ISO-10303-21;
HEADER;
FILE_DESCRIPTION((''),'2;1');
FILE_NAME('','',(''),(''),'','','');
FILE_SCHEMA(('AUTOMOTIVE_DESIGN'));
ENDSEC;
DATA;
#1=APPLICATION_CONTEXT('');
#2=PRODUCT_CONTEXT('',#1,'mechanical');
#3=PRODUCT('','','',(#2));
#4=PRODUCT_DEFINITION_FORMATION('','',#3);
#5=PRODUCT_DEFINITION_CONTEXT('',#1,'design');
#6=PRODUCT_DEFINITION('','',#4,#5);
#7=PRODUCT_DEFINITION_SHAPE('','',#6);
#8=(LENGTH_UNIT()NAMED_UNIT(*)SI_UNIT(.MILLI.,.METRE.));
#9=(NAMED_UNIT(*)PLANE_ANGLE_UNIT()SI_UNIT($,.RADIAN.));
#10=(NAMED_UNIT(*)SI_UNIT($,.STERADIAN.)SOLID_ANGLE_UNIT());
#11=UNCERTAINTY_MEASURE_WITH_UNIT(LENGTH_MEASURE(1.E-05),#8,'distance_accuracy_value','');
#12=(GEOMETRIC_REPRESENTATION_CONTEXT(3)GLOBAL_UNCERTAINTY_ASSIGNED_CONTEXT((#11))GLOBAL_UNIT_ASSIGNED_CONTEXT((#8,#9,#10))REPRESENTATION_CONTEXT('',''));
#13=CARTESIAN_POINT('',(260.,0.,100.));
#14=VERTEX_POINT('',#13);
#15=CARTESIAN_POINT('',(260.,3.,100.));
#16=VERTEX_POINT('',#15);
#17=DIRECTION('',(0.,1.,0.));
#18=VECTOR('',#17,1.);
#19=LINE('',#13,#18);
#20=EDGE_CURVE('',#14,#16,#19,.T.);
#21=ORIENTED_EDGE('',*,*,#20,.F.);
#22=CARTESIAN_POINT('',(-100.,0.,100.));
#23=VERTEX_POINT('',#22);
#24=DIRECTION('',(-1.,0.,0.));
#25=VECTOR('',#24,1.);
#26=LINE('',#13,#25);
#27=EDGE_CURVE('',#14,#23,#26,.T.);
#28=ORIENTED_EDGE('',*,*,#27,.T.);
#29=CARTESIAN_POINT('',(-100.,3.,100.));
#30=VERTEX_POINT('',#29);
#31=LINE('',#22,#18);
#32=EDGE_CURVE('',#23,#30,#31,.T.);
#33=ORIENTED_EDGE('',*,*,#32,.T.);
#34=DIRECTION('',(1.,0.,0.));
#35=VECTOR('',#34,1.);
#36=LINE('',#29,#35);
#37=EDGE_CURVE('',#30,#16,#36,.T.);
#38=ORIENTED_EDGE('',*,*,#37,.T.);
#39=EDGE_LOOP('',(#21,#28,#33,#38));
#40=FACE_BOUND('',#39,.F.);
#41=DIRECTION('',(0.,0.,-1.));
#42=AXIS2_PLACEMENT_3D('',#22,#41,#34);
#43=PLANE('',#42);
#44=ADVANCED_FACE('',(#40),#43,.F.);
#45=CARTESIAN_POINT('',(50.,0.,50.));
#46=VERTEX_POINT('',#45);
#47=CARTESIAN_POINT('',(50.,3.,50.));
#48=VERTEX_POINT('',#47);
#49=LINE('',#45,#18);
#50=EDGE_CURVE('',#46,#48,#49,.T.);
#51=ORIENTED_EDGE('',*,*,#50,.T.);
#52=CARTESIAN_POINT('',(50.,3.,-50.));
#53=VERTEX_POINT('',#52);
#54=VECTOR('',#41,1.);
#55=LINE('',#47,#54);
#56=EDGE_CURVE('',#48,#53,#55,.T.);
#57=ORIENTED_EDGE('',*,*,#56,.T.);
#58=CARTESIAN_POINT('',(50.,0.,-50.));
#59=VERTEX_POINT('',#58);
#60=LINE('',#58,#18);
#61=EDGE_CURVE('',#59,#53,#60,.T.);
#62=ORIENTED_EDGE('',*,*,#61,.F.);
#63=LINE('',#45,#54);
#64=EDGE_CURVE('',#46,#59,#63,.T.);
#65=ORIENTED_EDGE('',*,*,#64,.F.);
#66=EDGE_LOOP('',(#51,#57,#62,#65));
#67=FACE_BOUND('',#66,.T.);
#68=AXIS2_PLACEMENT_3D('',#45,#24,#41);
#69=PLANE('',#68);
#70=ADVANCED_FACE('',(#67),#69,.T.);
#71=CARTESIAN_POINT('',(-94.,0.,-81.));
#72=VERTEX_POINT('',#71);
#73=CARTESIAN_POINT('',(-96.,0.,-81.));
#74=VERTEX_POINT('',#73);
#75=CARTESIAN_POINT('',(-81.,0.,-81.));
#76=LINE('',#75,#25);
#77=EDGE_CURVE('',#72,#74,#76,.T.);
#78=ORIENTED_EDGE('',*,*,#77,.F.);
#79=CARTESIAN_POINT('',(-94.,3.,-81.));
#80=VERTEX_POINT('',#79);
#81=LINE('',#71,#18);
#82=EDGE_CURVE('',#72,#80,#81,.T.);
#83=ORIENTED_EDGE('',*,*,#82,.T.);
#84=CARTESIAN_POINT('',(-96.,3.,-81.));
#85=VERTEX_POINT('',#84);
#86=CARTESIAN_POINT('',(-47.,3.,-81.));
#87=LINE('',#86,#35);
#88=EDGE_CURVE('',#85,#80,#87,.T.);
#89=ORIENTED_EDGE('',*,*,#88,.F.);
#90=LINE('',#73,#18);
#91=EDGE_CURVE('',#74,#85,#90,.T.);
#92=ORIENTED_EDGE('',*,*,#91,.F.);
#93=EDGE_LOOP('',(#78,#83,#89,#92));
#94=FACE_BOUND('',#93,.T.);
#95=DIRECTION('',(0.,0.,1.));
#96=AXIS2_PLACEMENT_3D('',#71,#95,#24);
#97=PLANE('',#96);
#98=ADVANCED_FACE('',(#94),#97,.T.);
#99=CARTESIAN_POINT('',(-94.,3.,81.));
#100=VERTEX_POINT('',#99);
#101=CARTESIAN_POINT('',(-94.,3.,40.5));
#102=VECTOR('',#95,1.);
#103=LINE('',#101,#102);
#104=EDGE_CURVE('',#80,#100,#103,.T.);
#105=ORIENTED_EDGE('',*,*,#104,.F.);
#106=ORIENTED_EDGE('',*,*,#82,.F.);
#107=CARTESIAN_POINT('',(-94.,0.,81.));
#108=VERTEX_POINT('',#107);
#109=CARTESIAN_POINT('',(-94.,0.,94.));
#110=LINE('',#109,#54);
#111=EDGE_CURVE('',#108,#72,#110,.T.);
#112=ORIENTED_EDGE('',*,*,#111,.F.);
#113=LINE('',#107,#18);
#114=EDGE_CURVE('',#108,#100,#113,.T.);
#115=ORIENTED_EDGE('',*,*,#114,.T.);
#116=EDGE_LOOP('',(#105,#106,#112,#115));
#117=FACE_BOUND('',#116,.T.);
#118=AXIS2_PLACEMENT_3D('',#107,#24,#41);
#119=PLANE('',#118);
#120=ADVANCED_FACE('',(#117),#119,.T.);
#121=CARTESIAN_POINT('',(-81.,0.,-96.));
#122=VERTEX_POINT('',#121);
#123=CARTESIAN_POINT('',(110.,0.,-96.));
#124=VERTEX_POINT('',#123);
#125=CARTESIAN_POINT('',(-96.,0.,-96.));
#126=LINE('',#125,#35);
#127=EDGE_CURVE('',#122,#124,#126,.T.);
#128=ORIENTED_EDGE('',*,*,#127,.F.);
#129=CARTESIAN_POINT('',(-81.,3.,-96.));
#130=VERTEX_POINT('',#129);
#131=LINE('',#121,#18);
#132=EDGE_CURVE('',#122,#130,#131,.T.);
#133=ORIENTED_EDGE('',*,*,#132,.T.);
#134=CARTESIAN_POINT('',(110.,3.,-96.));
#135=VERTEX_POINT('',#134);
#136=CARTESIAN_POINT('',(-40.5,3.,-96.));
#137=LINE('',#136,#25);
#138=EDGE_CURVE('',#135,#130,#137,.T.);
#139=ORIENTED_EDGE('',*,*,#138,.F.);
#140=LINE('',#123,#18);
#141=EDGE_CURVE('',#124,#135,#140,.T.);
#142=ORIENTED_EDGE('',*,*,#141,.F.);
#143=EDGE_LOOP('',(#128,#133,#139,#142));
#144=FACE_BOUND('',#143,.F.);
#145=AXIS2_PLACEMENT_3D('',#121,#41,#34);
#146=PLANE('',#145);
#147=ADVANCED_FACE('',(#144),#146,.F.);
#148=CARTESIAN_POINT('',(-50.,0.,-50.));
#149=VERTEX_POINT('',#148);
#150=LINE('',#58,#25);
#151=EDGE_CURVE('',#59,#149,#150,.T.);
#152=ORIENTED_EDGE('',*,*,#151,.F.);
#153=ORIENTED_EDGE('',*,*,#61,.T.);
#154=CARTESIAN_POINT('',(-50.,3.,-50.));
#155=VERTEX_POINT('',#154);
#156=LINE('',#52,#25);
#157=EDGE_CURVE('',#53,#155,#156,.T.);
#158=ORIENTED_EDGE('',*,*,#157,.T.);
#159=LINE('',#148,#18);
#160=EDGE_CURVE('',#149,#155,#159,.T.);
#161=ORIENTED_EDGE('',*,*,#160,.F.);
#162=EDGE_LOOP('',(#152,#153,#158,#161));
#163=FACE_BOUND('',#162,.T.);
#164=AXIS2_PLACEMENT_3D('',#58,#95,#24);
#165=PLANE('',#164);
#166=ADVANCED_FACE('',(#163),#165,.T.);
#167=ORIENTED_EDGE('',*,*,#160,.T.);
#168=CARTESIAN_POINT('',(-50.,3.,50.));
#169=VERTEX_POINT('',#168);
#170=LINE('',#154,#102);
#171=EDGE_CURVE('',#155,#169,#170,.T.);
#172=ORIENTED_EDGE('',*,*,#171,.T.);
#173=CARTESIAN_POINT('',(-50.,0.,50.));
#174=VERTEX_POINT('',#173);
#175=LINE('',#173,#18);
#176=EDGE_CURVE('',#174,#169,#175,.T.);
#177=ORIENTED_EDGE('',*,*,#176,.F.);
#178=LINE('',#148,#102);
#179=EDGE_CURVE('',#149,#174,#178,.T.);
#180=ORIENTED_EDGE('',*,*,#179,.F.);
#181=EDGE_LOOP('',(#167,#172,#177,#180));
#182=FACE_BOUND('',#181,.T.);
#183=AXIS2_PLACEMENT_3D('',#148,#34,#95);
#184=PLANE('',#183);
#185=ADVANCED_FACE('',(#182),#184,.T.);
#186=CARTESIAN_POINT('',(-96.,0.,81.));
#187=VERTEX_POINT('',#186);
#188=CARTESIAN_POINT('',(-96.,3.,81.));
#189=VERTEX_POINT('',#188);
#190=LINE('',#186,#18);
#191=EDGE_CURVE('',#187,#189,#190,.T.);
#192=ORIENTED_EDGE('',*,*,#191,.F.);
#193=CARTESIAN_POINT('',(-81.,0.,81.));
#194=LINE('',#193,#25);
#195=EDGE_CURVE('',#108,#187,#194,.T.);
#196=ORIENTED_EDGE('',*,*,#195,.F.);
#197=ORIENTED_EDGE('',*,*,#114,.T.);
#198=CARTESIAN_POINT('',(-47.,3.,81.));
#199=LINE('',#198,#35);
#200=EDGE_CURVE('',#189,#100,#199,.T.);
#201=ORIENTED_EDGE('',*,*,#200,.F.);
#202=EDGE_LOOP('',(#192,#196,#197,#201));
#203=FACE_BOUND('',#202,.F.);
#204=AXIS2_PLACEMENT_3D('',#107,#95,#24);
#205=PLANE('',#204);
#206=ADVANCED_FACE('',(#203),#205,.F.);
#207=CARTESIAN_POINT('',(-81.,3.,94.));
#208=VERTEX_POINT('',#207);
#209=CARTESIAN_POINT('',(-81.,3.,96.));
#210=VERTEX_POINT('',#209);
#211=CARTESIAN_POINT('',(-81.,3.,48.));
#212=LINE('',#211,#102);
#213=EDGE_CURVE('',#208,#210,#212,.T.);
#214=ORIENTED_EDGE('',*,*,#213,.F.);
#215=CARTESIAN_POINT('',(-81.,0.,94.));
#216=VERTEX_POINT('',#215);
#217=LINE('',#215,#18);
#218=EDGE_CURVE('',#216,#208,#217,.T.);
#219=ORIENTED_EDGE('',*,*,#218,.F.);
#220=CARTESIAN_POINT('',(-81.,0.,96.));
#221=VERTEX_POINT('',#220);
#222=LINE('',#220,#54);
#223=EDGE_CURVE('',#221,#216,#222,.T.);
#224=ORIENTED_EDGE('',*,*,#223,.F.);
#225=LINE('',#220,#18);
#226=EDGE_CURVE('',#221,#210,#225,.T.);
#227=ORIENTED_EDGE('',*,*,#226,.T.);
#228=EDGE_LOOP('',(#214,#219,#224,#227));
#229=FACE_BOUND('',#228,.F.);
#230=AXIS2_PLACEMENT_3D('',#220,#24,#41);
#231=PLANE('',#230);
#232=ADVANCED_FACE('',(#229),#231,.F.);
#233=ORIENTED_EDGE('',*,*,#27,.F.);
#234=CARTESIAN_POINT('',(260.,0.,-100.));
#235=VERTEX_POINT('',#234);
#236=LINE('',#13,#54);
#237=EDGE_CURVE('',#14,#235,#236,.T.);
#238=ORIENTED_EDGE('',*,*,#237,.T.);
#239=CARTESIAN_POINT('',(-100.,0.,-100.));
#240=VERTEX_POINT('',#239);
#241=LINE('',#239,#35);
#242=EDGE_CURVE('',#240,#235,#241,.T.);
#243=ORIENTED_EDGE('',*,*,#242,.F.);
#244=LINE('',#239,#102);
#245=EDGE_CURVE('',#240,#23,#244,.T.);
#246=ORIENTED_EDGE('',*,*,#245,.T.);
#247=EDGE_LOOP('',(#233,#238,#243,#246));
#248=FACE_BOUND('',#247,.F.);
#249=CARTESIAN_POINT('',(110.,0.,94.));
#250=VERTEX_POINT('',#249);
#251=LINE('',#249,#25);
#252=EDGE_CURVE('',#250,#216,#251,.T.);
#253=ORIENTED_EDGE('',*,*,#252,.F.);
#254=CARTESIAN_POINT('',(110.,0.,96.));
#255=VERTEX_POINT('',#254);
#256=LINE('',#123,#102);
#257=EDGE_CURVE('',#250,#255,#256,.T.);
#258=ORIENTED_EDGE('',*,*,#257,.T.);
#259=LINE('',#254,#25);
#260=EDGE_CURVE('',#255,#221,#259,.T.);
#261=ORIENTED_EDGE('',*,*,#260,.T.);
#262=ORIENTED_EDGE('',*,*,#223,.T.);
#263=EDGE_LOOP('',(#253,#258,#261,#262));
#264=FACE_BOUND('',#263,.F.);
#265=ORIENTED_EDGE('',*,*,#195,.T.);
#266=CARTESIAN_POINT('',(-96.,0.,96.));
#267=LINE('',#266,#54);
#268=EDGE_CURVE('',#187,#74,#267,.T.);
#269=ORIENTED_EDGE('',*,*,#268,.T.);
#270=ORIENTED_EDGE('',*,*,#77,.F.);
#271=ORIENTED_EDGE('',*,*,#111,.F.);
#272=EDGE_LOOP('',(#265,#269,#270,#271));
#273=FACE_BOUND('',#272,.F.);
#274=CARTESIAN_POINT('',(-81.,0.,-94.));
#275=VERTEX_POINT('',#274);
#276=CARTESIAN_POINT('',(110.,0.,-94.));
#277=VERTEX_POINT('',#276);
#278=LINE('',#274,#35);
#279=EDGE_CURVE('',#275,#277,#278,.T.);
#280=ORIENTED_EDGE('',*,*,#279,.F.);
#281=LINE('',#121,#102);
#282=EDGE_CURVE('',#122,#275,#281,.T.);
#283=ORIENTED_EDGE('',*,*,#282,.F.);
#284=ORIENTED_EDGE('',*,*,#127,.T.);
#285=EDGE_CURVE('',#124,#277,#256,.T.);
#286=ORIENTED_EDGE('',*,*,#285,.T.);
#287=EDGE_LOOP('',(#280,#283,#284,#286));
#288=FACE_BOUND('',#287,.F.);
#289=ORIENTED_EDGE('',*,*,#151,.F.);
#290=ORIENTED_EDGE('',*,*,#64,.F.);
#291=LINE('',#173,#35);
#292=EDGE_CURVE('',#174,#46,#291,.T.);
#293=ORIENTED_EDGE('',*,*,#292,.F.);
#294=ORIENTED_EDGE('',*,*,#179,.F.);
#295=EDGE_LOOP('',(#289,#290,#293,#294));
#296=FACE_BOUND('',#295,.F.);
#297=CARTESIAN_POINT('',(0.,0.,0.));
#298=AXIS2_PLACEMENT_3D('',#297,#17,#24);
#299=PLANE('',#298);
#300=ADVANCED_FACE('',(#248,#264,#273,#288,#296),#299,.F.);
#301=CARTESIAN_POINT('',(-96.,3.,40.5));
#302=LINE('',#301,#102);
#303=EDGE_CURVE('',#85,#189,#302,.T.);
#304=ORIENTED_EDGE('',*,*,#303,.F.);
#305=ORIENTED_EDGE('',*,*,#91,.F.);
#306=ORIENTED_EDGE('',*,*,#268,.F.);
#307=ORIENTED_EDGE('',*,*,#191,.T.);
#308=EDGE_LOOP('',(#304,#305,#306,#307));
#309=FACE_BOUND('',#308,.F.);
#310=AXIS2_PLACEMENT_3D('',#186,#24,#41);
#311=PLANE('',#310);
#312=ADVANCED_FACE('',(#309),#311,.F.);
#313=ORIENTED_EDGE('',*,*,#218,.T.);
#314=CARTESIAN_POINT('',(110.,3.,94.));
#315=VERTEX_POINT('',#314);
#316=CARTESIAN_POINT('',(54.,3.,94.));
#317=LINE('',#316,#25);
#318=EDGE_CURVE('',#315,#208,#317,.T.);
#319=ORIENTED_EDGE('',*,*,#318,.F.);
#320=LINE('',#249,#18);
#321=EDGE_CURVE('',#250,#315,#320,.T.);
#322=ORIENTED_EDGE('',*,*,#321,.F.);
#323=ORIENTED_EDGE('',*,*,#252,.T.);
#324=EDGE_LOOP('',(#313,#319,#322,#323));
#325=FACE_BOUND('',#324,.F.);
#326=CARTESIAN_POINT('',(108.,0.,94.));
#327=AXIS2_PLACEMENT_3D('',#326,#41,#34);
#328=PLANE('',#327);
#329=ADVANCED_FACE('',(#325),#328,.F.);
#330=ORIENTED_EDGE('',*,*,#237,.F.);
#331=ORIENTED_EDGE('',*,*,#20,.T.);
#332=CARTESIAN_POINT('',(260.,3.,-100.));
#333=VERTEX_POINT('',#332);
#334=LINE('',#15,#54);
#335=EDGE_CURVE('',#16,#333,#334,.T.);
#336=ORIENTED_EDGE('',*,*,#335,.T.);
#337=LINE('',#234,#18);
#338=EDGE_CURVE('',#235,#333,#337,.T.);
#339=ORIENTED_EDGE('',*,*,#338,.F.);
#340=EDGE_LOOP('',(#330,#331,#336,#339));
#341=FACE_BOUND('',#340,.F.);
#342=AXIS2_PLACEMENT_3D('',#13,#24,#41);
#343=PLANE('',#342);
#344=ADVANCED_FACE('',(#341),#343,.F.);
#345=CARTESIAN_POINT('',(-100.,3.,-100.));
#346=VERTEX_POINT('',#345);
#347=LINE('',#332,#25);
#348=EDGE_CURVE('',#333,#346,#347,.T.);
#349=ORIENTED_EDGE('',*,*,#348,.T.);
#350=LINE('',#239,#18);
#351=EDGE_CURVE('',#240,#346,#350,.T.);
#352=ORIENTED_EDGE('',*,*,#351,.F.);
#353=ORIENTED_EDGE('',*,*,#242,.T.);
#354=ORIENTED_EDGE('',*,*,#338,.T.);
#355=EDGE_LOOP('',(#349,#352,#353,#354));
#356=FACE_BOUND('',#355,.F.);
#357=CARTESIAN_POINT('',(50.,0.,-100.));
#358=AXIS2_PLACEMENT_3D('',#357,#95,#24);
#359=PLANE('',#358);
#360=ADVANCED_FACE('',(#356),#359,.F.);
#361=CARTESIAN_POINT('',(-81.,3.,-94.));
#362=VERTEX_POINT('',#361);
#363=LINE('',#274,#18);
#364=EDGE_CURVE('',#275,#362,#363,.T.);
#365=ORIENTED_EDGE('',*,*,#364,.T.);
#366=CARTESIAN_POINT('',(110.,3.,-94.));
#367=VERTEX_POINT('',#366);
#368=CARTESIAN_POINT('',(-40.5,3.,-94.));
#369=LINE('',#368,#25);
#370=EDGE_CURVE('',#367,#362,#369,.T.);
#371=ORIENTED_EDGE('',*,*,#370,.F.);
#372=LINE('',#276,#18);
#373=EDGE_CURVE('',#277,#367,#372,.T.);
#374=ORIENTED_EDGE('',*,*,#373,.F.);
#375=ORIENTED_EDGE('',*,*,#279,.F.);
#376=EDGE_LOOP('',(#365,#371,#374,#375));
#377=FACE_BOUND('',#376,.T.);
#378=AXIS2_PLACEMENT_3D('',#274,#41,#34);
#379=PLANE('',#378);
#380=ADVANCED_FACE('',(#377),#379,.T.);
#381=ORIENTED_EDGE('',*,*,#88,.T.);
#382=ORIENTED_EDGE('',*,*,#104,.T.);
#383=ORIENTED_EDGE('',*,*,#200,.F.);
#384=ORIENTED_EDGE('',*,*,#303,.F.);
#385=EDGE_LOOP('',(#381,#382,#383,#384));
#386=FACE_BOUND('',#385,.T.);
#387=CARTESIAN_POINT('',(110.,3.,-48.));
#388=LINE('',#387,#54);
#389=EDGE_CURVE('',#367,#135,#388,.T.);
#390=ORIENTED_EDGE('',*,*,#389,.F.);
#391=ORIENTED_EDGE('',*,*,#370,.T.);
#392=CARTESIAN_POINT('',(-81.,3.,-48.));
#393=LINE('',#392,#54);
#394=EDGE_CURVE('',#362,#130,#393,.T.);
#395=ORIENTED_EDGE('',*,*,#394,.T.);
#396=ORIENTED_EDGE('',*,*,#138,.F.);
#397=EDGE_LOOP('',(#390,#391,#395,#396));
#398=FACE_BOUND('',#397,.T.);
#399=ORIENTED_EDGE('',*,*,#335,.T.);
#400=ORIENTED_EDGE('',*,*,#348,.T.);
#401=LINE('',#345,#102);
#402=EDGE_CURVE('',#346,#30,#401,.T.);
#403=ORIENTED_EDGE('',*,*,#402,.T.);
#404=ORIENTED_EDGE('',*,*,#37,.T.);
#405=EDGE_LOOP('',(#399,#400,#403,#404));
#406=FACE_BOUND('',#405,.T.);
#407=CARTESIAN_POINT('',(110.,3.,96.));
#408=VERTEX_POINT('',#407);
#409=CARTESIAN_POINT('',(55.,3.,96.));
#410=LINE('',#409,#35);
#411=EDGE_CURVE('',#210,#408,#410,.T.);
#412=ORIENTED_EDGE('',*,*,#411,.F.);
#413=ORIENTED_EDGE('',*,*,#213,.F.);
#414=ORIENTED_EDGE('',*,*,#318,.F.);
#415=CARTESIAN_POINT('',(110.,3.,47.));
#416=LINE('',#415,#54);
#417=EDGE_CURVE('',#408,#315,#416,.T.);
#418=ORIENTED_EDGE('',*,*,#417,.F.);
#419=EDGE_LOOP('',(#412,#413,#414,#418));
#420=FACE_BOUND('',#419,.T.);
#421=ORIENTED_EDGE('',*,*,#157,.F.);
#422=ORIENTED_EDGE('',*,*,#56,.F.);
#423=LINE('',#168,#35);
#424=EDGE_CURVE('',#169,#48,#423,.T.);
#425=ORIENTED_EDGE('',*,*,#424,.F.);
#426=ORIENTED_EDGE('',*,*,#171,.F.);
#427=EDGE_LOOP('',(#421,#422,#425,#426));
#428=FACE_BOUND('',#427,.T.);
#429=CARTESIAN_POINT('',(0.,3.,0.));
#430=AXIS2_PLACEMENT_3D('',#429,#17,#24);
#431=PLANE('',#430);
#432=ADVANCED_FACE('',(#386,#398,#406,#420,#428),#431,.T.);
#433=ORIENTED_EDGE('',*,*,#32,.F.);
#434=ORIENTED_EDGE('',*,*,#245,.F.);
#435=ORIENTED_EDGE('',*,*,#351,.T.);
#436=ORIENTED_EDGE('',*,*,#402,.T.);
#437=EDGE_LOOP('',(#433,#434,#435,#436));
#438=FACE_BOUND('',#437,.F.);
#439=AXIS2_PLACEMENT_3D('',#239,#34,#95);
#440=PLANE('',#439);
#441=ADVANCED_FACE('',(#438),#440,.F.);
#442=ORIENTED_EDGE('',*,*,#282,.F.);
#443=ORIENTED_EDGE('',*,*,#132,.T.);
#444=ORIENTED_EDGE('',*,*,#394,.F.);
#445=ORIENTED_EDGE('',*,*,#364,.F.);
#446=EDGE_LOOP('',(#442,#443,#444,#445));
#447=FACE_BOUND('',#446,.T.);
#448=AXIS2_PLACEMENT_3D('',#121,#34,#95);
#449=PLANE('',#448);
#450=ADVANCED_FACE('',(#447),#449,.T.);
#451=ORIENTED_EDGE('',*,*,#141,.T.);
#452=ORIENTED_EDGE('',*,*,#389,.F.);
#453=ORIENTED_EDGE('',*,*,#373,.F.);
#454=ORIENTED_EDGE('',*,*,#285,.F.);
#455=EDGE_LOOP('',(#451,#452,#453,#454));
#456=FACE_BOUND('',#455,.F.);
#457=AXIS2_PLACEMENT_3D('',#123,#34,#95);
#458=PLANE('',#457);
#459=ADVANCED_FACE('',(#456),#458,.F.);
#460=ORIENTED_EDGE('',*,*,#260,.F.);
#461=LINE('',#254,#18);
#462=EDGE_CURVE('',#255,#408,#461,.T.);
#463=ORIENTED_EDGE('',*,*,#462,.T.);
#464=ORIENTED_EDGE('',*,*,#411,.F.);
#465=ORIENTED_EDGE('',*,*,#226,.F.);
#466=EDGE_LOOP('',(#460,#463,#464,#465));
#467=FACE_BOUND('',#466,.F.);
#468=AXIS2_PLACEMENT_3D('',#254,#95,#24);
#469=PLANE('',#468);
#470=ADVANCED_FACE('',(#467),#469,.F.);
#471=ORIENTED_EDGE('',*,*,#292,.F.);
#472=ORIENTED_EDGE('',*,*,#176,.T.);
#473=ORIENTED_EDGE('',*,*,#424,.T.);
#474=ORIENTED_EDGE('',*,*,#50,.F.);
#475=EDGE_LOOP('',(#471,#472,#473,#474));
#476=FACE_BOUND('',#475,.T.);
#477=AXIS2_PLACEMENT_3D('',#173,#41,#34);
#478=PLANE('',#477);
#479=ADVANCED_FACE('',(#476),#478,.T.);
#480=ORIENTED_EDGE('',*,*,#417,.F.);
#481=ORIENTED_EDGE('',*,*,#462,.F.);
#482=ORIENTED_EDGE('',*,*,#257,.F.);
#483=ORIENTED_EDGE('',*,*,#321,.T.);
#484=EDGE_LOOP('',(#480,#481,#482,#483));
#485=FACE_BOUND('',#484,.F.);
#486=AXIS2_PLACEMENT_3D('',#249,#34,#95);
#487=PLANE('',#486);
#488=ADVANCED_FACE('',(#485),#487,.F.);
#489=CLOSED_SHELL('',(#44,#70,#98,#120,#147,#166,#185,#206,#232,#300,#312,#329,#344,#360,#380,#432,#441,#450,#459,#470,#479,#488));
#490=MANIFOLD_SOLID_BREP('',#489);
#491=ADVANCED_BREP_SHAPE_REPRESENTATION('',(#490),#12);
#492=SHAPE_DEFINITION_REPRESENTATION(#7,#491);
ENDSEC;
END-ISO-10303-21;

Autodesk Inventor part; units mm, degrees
ref_plane "YZ Plane" through (0, 0, 0) normal (1, 0, 0) x (0, 1, 0)
ref_plane "XZ Plane" through (0, 0, 0) normal (0, 1, 0) x (-1, 0, 0)
ref_plane "XY Plane" through (0, 0, 0) normal (0, 0, 1) x (1, 0, 0)
sketch "Sketch1" plane through (0, 0, 0) normal (0, 1, 0) x (-1, 0, 0)
  line L0 (50, 50) -> (-50, 50)
  line L1 (-50, 50) -> (-50, -50)
  line L2 (-50, -50) -> (50, -50)
  line L3 (50, -50) -> (50, 50)
  line L4 (50, 50) -> (-50, -50) construction
  line L5 (-50, 50) -> (50, -50) construction
  line L6 (100, 100) -> (-100, 100)
  line L7 (-100, 100) -> (-100, -100)
  line L8 (-100, -100) -> (100, -100)
  line L9 (100, -100) -> (100, 100)
  line L10 (100, 100) -> (-100, -100) construction
  line L11 (-100, 100) -> (100, -100) construction
  line L12 (-50, 100) -> (-260, 100)
  line L13 (-260, 100) -> (-260, -100)
  line L14 (-260, -100) -> (-50, -100)
  line L15 (-50, -100) -> (-50, 100)
  point P0 (0, 0)
  dimension "d0" = 100
  dimension "d1" = 100
  dimension "d2" = 200
  dimension "d3" = 50
  dimension "d4" = 210
  dimension "d5" = 0
  dimension "d6" = 200
extrude "Extrusion1" add sketch "Sketch1" along normal blind 3 contours L0 L15 L6 L9 L8 L2 L3 | L1 L15 L8 L7 L6 | L7 L14 L13 L12
sketch "Sketch3" plane through (0, 0, 0) normal (0, -1, 0) x (1, 0, 0)
  line L0 (110, 96) -> (-96, 96)
  line L1 (-96, 96) -> (-96, -96)
  line L2 (-96, -96) -> (110, -96)
  line L3 (110, -96) -> (110, 96)
  line L4 (-94, -94) -> (108, -94)
  line L5 (108, -94) -> (108, 94)
  line L6 (108, 94) -> (-94, 94)
  line L7 (-94, 94) -> (-94, -94)
  line L8 (-100, -100) -> (-100, 100) projected
  line L9 (260, -100) -> (-100, -100) projected
  line L10 (-100, 100) -> (260, 100) projected
  line L11 (260, 100) -> (260, -100) projected
  line L12 (108, 94) -> (110, 94)
  line L13 (108, -94) -> (110, -94)
  line L14 (-96, 96) -> (-81, 96)
  line L15 (-81, 96) -> (-81, 81)
  line L16 (-81, 81) -> (-96, 81)
  line L17 (-96, 81) -> (-96, 96)
  line L18 (-96, -96) -> (-81, -96)
  line L19 (-81, -96) -> (-81, -81)
  line L20 (-81, -81) -> (-96, -81)
  line L21 (-96, -81) -> (-96, -96)
  point P0 (0, 0)
  point P1 (-81, -94)
  point P2 (-94, -81)
  point P3 (-94, 81)
  point P4 (-81, 94)
  dimension "d13" = 2
  dimension "d14" = 2
  dimension "d15" = 4
  dimension "d16" = 4
  dimension "d17" = 4
  dimension "d18" = 2
  dimension "d19" = 150
  dimension "d20" = 2
  dimension "d21" = 15
  dimension "d22" = 15
  dimension "d23" = 15
  dimension "d24" = 15
extrude "Extrusion3" cut sketch "Sketch3" against normal blind 10 contours L3 L12 L6 L15 L0 | L3 L2 L19 L4 L13 | L16 L7 L20 L1
equation "\"d14\" = d13"
equation "\"d18\" = d13"
equation "\"d20\" = d14"
equation "\"d24\" = d21"
properties part number "BottomPlateRS3" material "Steel"
